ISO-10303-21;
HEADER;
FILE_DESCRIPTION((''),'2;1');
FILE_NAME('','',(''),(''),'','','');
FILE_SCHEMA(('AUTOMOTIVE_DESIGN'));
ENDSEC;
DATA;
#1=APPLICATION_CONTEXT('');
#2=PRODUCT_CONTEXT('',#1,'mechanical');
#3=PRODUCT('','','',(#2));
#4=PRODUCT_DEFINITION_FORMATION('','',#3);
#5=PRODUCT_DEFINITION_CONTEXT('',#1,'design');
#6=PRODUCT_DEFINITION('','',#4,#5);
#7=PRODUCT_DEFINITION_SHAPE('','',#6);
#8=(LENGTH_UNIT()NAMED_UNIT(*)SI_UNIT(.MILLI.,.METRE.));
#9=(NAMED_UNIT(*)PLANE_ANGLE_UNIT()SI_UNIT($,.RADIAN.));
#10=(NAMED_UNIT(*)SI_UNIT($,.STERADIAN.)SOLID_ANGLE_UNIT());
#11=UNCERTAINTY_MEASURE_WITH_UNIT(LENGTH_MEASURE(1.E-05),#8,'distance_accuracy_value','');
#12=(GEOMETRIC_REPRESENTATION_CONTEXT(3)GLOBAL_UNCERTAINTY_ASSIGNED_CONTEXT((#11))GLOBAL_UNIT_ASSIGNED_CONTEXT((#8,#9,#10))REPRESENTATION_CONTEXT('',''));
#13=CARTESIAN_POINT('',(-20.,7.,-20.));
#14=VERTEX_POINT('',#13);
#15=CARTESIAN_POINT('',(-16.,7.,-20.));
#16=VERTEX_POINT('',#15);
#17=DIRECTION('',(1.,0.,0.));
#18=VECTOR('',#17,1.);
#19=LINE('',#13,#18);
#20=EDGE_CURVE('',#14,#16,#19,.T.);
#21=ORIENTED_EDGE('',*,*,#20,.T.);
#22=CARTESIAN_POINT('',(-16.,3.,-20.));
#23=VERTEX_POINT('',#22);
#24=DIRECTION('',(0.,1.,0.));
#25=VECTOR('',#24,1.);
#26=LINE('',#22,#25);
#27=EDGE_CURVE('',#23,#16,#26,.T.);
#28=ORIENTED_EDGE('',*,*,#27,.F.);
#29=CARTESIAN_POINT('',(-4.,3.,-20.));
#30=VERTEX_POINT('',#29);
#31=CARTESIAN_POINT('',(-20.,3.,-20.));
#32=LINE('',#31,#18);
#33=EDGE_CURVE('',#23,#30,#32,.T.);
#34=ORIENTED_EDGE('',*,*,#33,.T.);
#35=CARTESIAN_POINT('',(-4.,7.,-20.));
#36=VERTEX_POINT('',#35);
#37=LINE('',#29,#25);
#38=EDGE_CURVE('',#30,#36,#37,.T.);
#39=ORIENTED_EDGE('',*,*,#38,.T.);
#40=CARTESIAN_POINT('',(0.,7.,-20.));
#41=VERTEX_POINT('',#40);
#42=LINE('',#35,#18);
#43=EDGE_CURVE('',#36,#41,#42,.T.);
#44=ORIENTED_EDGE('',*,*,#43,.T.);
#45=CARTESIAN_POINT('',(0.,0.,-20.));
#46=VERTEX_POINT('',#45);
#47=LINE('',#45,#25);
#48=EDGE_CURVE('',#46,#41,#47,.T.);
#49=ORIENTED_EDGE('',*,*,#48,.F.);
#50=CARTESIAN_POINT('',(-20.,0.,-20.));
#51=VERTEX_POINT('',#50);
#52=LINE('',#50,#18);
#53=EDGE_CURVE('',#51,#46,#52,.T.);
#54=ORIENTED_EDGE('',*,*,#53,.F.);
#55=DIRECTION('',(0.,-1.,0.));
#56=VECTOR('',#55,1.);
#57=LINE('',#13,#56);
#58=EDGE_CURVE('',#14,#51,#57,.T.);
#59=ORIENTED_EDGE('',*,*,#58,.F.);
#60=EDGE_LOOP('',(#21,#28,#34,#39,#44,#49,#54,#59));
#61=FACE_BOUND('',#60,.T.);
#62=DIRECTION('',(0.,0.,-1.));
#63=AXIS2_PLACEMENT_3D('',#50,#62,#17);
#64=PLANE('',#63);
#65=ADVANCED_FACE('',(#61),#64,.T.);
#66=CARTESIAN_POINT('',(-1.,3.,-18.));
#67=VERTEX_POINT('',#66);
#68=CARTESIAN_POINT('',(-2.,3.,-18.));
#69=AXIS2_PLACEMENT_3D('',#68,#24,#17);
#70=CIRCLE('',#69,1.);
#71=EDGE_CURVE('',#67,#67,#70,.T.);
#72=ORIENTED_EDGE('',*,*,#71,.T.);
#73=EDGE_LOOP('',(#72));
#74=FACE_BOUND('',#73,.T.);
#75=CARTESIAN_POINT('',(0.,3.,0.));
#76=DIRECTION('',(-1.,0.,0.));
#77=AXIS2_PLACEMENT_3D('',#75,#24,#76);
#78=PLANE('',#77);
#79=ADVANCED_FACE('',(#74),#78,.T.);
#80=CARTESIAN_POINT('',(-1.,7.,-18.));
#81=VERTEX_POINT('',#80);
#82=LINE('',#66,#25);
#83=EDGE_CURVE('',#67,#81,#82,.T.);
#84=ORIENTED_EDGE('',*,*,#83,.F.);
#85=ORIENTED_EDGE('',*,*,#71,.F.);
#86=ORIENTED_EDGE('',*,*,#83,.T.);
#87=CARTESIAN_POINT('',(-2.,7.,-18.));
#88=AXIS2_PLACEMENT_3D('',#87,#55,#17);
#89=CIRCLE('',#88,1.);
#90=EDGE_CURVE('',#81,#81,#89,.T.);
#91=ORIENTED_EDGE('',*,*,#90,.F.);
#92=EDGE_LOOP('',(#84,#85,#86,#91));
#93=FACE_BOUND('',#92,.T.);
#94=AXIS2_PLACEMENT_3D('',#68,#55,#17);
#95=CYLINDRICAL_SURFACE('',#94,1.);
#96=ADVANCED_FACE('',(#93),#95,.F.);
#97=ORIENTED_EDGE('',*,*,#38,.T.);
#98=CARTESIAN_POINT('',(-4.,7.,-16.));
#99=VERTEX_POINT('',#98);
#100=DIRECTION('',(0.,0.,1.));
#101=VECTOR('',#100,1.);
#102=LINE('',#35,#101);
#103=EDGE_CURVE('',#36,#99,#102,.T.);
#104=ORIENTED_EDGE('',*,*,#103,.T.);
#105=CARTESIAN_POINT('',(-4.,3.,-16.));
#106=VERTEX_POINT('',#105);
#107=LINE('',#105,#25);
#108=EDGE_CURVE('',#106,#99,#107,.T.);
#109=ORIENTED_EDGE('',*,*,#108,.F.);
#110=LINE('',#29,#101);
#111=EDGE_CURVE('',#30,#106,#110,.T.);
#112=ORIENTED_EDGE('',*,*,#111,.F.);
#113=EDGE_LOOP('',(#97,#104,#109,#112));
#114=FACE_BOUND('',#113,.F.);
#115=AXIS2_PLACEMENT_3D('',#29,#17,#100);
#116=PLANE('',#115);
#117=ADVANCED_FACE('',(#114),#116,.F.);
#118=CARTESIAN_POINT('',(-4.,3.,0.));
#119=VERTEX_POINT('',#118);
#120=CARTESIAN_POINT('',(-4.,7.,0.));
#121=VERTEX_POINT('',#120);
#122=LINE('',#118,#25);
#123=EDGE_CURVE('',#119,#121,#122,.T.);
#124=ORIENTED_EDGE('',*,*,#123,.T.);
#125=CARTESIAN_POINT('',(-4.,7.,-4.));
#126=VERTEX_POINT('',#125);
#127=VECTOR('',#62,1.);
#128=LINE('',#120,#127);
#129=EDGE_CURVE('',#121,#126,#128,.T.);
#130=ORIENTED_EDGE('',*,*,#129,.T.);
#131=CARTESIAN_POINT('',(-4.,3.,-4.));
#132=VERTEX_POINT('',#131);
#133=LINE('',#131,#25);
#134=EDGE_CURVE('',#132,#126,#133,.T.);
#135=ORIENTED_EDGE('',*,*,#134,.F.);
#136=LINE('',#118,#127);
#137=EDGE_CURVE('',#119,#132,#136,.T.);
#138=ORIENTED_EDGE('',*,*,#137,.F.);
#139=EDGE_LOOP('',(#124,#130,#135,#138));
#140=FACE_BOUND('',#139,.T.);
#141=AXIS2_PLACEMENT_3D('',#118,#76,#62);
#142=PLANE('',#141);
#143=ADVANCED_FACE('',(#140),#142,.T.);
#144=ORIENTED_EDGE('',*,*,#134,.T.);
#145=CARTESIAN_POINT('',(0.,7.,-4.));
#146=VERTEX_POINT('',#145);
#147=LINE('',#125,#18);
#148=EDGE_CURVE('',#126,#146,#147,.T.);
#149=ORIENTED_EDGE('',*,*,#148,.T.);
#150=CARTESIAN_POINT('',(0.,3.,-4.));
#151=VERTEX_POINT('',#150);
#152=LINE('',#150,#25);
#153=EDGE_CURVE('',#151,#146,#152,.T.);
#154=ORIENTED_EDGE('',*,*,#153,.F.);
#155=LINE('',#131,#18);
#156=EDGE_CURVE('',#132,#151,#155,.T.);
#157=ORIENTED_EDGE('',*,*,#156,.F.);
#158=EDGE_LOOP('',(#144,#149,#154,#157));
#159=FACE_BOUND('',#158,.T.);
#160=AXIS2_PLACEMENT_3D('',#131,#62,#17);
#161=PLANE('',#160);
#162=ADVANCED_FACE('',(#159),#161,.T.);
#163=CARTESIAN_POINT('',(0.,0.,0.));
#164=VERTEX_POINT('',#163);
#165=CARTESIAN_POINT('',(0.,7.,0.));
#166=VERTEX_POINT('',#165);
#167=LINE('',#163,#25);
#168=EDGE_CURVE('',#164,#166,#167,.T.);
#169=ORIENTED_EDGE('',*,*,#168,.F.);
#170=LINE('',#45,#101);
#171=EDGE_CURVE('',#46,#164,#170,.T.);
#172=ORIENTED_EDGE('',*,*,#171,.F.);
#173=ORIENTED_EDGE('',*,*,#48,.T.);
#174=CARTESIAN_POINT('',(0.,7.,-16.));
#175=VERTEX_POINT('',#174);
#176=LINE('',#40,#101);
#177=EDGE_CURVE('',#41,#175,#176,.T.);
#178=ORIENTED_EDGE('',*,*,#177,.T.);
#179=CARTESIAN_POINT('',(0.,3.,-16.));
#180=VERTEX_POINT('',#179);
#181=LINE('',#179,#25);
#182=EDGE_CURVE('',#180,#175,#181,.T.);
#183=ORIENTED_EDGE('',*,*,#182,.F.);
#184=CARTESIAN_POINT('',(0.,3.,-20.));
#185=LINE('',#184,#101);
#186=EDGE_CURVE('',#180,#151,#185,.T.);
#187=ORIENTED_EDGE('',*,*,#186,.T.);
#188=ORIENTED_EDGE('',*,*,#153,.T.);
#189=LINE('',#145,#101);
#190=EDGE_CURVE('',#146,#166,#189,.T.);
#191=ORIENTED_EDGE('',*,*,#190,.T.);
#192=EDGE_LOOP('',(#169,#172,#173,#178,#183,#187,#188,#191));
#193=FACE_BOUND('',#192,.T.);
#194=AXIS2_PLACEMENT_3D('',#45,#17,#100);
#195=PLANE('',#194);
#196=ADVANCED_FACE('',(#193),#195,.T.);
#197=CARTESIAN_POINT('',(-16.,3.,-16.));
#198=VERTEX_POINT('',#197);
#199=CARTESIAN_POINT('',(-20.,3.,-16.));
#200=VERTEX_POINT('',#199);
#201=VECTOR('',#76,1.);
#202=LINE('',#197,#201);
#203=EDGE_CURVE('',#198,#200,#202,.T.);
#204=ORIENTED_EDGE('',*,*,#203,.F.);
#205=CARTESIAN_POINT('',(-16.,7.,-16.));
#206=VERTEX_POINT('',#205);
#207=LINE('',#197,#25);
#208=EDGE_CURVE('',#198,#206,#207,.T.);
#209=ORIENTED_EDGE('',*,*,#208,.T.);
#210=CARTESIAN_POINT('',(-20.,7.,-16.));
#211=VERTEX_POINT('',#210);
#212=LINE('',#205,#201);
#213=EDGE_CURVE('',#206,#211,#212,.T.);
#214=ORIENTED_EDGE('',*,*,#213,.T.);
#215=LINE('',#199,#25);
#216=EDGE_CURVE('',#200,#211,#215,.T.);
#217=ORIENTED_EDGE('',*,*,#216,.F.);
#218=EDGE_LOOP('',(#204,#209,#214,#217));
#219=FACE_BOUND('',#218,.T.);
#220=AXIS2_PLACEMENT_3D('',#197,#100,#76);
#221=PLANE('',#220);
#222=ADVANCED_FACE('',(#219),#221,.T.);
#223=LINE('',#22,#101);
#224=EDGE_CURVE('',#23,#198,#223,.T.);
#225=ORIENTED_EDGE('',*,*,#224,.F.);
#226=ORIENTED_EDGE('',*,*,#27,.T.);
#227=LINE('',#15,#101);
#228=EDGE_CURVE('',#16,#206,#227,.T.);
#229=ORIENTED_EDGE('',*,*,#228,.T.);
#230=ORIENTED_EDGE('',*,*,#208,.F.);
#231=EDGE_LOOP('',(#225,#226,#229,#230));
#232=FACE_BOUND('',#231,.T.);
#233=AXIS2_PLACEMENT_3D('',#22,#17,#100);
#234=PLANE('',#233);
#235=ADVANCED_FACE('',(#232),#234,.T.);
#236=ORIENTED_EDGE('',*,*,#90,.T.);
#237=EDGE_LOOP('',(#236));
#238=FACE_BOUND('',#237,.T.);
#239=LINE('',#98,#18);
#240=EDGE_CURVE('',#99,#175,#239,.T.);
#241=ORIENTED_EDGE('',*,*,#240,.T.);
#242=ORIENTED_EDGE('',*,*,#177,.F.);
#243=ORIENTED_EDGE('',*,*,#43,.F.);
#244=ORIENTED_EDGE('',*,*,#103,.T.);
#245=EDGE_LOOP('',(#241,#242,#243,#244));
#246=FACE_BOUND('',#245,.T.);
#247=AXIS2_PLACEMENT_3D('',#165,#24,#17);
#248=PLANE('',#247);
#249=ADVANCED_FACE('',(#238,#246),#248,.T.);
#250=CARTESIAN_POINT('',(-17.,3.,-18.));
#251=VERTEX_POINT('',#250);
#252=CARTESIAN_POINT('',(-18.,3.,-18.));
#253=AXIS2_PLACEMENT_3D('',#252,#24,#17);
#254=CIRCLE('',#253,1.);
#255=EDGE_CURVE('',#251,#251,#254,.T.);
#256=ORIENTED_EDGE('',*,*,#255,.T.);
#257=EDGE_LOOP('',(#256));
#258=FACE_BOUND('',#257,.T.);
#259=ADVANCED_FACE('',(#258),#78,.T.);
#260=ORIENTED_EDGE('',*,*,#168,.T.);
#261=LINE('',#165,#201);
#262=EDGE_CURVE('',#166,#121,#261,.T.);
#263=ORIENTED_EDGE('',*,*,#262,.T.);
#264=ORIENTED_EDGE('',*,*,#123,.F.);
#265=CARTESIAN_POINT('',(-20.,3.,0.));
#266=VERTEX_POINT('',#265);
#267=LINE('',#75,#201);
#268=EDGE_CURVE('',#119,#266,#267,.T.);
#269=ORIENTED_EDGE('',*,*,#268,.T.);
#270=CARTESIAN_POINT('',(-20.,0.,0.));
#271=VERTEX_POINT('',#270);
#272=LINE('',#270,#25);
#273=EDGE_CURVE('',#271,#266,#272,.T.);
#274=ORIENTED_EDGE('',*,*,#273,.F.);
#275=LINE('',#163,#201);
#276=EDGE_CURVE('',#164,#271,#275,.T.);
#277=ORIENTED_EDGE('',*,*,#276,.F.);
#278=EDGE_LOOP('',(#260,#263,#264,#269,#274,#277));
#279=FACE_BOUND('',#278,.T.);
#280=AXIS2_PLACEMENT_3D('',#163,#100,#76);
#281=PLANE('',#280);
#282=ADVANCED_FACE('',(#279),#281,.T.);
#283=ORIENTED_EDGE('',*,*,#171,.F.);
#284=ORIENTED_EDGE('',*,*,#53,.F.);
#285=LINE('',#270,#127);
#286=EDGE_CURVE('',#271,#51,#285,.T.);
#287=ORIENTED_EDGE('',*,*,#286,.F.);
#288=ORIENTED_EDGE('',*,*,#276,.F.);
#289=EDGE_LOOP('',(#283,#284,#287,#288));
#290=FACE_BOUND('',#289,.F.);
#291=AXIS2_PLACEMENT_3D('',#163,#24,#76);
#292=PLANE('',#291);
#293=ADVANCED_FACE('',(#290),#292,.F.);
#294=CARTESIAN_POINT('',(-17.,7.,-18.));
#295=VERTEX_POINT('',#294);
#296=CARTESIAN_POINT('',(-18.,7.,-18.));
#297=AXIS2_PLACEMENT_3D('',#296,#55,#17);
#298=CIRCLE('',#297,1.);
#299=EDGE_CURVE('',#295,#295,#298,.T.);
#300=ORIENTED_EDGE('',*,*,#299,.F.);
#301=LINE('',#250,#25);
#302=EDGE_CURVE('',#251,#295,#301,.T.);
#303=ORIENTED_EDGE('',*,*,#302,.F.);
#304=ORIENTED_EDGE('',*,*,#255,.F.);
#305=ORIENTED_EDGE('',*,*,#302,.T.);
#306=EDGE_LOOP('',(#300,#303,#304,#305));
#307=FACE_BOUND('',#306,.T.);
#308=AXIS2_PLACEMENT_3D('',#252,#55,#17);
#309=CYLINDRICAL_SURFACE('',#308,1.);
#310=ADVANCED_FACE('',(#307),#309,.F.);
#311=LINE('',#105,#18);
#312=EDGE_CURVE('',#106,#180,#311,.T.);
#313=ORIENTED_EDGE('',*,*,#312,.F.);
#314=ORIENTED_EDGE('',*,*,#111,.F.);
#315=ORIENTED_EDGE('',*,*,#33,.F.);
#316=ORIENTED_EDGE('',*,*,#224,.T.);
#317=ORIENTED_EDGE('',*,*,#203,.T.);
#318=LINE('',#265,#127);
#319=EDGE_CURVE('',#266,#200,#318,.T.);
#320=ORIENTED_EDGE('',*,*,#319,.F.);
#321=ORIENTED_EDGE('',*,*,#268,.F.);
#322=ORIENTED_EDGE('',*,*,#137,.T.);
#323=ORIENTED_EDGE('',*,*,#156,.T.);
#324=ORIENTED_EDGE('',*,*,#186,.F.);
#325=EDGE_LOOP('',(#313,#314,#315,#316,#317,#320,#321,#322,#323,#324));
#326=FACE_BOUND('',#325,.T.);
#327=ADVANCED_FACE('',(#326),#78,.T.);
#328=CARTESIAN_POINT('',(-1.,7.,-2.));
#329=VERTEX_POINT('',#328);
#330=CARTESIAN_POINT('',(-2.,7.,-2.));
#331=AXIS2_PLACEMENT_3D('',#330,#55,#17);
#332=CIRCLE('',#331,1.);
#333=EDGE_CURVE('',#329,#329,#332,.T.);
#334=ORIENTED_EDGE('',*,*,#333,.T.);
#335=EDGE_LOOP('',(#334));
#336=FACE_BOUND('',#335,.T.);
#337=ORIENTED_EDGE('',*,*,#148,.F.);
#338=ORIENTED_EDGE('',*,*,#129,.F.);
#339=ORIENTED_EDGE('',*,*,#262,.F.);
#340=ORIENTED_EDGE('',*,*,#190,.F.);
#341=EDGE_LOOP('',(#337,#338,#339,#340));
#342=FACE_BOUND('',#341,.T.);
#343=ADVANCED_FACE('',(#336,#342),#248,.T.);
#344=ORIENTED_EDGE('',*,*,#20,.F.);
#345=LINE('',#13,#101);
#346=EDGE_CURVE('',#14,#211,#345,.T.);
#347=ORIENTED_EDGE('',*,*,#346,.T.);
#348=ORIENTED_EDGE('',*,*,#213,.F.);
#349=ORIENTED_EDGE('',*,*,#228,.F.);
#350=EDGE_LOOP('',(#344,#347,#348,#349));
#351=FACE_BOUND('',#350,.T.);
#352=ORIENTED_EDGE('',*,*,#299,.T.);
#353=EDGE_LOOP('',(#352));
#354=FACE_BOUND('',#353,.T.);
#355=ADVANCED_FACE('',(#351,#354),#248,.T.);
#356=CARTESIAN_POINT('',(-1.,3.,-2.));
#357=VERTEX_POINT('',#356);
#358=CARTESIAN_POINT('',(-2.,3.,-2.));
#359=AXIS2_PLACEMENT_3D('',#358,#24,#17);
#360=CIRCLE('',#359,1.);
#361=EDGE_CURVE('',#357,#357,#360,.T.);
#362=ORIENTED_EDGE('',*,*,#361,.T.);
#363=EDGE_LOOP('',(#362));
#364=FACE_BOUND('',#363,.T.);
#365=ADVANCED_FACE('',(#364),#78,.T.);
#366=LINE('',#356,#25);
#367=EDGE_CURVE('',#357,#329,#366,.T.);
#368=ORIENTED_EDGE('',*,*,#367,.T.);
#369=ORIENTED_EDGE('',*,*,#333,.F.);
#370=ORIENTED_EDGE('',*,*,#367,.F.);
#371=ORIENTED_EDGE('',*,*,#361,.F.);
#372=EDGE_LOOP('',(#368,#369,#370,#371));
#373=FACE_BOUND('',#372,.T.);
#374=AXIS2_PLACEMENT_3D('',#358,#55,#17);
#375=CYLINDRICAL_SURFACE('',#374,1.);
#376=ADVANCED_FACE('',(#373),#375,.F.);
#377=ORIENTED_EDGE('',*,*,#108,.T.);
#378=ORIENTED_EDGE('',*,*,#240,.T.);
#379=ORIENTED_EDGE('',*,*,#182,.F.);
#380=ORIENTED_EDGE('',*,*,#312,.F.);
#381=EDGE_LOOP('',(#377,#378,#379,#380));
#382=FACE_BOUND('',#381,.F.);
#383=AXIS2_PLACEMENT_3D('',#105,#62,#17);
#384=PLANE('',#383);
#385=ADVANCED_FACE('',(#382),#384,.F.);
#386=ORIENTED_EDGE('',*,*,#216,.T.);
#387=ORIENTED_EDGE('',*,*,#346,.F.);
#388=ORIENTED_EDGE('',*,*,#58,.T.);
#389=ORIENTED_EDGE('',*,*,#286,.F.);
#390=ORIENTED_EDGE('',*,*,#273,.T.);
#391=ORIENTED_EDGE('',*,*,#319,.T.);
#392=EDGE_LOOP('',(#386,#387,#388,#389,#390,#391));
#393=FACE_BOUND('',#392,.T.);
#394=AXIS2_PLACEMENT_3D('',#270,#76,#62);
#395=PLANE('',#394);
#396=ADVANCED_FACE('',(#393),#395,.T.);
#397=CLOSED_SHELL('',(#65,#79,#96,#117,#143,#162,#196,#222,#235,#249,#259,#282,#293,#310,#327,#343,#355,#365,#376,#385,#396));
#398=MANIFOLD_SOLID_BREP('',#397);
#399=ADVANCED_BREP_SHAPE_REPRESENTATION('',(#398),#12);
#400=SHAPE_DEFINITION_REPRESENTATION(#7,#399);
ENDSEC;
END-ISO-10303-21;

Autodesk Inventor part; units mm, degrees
ref_plane "YZ Plane" through (0, 0, 0) normal (1, 0, 0) x (0, 1, 0)
ref_plane "XZ Plane" through (0, 0, 0) normal (0, 1, 0) x (-1, 0, 0)
ref_plane "XY Plane" through (0, 0, 0) normal (0, 0, 1) x (1, 0, 0)
sketch "Sketch1" plane through (0, 0, 0) normal (0, 1, 0) x (-1, 0, 0)
  line L0 (0, 0) -> (20, 0)
  line L1 (20, 0) -> (20, -20)
  line L2 (20, -20) -> (0, -20)
  line L3 (0, -20) -> (0, 0)
  dimension "d0" = 20
  dimension "d1" = 20
extrude "Extrusion1" add sketch "Sketch1" along normal blind 3
sketch "Sketch2" plane through (0, 3, 0) normal (0, 1, 0) x (1, 0, 0)
  line L0 (0, 0) -> (-4, 0)
  line L1 (-4, 0) -> (-4, 4)
  line L2 (-4, 4) -> (0, 4)
  line L3 (0, 4) -> (0, 0)
  line L4 (0, 0) -> (-2, 0)
  line L5 (-2, 0) -> (-2, 2)
  line L6 (-2, 2) -> (0, 2)
  line L7 (0, 2) -> (0, 0)
  line L8 (0, 20) -> (-20, 20) projected
  line L9 (0, 20) -> (-4, 20)
  line L10 (-4, 20) -> (-4, 16)
  line L11 (-4, 16) -> (0, 16)
  line L12 (0, 16) -> (0, 20)
  line L13 (0, 20) -> (-2, 20)
  line L14 (-2, 20) -> (-2, 18)
  line L15 (-2, 18) -> (0, 18)
  line L16 (0, 18) -> (0, 20)
  line L17 (-20, 20) -> (-20, 0) projected
  line L18 (-20, 20) -> (-16, 20)
  line L19 (-16, 20) -> (-16, 16)
  line L20 (-16, 16) -> (-20, 16)
  line L21 (-20, 16) -> (-20, 20)
  line L22 (-20, 20) -> (-18, 20)
  line L23 (-18, 20) -> (-18, 18)
  line L24 (-18, 18) -> (-20, 18)
  line L25 (-20, 18) -> (-20, 20)
  line L26 (-20, 0) -> (-16, 0)
  line L27 (-16, 0) -> (-16, 4)
  line L28 (-16, 4) -> (-20, 4)
  line L29 (-20, 4) -> (-20, 0)
  line L30 (-20, 0) -> (-18, 0)
  line L31 (-18, 0) -> (-18, 2)
  line L32 (-18, 2) -> (-20, 2)
  line L33 (-20, 2) -> (-20, 0)
  circle A0 centre (-18, 2) radius 1
  circle A1 centre (-18, 18) radius 1
  circle A2 centre (-2, 2) radius 1
  circle A3 centre (-2, 18) radius 1
  dimension "d4" = 4
  dimension "d5" = 4
  dimension "d6" = 2
  dimension "d7" = 2
  dimension "d8" = 4
  dimension "d9" = 4
  dimension "d10" = 2
  dimension "d11" = 2
  dimension "d12" = 4
  dimension "d13" = 4
  dimension "d14" = 2
  dimension "d15" = 2
  dimension "d16" = 4
  dimension "d17" = 4
  dimension "d18" = 2
  dimension "d19" = 2
  dimension "d20" = 2
  dimension "d21" = 2
  dimension "d22" = 2
  dimension "d23" = 2
extrude "Extrusion2" add sketch "Sketch2" along normal blind 4 contours L0 L5 A2 L6 L3 | L0 L1 L2 L3 L6 A2 L5 | L12 L15 A3 L14 L8 | L19 L20 L17 L24 A1 L23 L8 | L14 A3 L15 L12 L11 L10 L8 | L23 A1 L24 L17 L8
properties part number "underplate_support_1"
